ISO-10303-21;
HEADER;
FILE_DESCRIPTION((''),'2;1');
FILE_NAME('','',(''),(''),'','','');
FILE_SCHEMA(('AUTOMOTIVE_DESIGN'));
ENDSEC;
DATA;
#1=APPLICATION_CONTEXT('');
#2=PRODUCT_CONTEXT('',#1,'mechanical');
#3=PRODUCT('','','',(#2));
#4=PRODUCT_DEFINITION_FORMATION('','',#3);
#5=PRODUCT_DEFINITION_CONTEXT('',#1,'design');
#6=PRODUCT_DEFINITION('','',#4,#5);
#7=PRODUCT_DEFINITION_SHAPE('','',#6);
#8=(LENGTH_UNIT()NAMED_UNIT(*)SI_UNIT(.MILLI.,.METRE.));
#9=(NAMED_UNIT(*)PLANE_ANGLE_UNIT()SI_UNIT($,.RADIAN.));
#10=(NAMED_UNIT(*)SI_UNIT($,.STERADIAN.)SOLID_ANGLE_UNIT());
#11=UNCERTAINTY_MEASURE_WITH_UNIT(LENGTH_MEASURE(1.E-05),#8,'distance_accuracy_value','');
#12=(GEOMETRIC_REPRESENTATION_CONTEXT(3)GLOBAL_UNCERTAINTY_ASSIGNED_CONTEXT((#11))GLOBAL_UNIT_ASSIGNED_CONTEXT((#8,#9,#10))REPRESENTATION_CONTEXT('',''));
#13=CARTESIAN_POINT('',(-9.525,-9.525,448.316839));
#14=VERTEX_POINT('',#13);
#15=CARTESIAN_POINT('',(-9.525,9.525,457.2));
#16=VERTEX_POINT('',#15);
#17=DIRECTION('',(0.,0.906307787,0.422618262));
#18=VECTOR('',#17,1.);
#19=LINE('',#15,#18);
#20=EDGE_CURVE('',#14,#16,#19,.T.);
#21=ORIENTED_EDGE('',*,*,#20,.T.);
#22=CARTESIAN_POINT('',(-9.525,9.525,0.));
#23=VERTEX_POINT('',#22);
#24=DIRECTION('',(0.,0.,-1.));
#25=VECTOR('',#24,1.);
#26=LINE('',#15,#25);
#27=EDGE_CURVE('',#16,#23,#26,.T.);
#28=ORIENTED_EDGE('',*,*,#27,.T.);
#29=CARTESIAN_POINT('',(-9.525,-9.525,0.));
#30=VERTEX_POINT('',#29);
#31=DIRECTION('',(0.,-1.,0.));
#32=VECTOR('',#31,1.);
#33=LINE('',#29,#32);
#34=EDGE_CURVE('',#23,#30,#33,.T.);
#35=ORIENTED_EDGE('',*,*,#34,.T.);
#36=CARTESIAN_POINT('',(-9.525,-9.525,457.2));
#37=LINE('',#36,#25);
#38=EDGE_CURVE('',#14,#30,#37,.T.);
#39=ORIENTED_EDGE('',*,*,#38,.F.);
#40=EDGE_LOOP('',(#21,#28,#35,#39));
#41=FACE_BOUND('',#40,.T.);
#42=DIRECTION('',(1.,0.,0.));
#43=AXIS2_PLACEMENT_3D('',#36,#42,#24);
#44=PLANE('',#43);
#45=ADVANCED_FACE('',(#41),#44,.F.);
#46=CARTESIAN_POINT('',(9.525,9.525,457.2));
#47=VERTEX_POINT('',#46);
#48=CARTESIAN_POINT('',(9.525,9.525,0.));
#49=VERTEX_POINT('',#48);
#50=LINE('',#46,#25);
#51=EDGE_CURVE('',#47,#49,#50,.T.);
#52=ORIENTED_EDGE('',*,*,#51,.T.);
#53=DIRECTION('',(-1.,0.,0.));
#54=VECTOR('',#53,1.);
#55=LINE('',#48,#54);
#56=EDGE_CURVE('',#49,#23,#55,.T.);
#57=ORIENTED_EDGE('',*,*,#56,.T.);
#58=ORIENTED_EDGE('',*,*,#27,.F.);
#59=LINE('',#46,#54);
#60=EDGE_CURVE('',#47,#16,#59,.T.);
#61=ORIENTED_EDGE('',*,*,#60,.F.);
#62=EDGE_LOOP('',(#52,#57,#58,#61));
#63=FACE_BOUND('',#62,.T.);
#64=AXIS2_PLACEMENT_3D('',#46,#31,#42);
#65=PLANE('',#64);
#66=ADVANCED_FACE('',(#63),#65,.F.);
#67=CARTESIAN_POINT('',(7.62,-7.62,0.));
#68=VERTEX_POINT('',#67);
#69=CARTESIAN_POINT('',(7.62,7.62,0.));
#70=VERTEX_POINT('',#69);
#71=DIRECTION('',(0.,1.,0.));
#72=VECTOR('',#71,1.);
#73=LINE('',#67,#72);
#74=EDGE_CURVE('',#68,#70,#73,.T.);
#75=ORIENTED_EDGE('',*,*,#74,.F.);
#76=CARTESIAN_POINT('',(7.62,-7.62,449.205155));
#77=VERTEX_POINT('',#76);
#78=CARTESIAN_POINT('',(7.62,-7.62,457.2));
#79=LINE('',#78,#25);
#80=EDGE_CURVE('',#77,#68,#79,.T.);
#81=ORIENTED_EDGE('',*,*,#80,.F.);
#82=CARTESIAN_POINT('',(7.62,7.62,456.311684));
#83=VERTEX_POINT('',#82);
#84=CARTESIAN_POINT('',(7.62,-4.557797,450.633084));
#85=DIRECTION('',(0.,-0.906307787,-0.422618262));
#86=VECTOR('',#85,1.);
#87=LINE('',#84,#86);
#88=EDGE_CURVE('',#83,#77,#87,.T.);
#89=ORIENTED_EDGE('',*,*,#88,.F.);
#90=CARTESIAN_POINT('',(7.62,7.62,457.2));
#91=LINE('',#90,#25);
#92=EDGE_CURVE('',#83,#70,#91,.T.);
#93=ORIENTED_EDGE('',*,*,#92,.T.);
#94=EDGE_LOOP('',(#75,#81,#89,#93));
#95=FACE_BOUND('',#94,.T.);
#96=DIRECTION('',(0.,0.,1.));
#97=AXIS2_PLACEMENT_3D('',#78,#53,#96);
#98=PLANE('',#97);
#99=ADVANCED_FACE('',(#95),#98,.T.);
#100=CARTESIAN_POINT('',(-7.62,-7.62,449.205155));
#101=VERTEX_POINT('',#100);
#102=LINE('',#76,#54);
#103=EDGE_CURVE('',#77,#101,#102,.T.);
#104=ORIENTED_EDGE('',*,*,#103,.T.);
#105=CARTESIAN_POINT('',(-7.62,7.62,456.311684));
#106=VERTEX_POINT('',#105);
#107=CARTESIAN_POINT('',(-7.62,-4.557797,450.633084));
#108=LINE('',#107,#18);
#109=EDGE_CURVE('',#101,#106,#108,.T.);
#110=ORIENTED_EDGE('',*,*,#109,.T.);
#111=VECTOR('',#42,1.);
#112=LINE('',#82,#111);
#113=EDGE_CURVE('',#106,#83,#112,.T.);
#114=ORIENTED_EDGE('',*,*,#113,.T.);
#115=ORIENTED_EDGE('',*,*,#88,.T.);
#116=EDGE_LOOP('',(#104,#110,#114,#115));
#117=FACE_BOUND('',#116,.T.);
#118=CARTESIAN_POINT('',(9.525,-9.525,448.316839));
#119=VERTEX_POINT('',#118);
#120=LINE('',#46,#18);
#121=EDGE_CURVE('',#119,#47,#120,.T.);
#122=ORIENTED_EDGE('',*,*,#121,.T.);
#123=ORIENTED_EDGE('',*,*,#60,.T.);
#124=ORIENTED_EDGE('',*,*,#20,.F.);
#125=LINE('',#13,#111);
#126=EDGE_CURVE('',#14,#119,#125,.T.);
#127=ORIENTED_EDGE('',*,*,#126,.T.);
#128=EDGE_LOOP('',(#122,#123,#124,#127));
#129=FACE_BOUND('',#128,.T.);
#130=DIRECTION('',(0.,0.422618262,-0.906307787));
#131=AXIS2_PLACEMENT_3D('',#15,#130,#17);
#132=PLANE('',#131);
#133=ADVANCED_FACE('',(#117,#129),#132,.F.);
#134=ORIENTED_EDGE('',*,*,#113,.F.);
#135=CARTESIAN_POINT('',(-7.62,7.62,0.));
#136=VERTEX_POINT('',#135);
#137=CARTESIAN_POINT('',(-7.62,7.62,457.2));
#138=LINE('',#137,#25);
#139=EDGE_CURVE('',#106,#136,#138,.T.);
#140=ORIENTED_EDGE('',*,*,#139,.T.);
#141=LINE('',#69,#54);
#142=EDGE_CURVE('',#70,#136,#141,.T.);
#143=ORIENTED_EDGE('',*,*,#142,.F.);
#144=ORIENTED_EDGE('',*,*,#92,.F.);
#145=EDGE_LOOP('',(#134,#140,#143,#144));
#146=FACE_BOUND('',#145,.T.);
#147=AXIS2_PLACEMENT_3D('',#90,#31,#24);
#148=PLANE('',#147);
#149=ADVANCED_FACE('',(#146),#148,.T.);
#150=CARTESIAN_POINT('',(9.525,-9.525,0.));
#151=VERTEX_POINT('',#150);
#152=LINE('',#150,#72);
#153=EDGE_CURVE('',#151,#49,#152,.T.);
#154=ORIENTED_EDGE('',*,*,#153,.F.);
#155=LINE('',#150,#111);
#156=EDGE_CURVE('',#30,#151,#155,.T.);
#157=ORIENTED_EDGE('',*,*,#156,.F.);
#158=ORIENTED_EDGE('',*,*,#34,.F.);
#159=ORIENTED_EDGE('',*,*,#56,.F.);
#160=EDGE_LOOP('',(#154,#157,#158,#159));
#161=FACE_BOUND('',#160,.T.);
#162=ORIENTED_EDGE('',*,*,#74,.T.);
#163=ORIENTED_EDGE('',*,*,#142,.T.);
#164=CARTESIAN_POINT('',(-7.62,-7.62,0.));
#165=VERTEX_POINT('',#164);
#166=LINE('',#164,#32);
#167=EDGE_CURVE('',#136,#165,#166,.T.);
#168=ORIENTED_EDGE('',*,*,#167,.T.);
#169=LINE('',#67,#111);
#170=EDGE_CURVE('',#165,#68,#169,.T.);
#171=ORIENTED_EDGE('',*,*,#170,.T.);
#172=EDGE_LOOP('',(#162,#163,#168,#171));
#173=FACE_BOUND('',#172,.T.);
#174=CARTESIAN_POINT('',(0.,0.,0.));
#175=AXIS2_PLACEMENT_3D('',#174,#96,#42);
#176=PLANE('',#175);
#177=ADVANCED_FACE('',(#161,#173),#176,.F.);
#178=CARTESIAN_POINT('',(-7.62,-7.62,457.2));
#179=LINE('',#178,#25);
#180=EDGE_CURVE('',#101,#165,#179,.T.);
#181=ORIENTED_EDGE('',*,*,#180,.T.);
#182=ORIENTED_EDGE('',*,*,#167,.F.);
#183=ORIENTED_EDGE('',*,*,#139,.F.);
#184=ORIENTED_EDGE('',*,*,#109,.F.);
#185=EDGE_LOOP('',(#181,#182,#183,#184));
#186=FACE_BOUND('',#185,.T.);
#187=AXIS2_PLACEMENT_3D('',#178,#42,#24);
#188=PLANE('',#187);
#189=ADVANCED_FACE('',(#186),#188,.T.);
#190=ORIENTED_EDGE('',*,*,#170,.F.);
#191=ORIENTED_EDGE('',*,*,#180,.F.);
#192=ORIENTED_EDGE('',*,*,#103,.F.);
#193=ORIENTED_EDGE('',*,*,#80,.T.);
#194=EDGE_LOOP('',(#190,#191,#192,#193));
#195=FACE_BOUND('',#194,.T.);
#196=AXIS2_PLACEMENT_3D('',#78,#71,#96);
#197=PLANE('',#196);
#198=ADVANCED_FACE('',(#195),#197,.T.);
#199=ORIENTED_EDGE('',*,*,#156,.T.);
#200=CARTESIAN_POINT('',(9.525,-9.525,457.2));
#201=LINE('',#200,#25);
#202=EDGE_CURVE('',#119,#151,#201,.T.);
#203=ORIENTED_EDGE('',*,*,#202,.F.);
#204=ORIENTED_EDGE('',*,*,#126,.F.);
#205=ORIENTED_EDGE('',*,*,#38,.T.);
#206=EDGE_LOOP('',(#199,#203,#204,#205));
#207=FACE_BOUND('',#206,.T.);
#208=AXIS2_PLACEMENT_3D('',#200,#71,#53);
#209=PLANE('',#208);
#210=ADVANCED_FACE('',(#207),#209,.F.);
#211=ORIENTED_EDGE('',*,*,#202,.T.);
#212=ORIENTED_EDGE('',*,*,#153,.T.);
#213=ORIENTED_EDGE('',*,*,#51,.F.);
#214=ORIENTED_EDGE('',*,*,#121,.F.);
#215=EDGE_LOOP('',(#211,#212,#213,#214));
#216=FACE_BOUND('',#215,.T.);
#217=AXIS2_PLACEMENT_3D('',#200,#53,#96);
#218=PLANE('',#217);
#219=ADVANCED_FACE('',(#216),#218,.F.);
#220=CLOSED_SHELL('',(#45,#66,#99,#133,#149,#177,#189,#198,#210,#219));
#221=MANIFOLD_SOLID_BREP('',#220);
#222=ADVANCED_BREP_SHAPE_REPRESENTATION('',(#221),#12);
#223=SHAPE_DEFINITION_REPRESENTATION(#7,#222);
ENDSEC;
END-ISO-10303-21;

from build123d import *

# Parameters (mm, degrees)
SKETCH4_W           = 19.05
SKETCH4_H           = 19.05
SKETCH4_W_2         = 15.24
SKETCH4_H_2         = 15.24
BOSS_EXTRUDE2_DEPTH = 457.2
CUT_EXTRUDE1_DEPTH  = 20.05


with BuildPart() as part:
    # Sketch4 → Boss-Extrude2 (new body)
    with BuildSketch(Plane.XY):
        Rectangle(SKETCH4_W, SKETCH4_H)
        Rectangle(SKETCH4_W_2, SKETCH4_H_2, mode=Mode.SUBTRACT)
    extrude(amount=BOSS_EXTRUDE2_DEPTH)

    # Sketch5 → Cut-Extrude1 (cut, through all)
    with BuildSketch(Plane(origin=(9.525, 0, 0), x_dir=(0, 0, -1), z_dir=(1, 0, 0))):
        Polygon((-457.2, 9.525), (-448.316839112, -9.525), (-457.2, -9.525), align=None)
    extrude(amount=-CUT_EXTRUDE1_DEPTH, mode=Mode.SUBTRACT)


solid = part.part
